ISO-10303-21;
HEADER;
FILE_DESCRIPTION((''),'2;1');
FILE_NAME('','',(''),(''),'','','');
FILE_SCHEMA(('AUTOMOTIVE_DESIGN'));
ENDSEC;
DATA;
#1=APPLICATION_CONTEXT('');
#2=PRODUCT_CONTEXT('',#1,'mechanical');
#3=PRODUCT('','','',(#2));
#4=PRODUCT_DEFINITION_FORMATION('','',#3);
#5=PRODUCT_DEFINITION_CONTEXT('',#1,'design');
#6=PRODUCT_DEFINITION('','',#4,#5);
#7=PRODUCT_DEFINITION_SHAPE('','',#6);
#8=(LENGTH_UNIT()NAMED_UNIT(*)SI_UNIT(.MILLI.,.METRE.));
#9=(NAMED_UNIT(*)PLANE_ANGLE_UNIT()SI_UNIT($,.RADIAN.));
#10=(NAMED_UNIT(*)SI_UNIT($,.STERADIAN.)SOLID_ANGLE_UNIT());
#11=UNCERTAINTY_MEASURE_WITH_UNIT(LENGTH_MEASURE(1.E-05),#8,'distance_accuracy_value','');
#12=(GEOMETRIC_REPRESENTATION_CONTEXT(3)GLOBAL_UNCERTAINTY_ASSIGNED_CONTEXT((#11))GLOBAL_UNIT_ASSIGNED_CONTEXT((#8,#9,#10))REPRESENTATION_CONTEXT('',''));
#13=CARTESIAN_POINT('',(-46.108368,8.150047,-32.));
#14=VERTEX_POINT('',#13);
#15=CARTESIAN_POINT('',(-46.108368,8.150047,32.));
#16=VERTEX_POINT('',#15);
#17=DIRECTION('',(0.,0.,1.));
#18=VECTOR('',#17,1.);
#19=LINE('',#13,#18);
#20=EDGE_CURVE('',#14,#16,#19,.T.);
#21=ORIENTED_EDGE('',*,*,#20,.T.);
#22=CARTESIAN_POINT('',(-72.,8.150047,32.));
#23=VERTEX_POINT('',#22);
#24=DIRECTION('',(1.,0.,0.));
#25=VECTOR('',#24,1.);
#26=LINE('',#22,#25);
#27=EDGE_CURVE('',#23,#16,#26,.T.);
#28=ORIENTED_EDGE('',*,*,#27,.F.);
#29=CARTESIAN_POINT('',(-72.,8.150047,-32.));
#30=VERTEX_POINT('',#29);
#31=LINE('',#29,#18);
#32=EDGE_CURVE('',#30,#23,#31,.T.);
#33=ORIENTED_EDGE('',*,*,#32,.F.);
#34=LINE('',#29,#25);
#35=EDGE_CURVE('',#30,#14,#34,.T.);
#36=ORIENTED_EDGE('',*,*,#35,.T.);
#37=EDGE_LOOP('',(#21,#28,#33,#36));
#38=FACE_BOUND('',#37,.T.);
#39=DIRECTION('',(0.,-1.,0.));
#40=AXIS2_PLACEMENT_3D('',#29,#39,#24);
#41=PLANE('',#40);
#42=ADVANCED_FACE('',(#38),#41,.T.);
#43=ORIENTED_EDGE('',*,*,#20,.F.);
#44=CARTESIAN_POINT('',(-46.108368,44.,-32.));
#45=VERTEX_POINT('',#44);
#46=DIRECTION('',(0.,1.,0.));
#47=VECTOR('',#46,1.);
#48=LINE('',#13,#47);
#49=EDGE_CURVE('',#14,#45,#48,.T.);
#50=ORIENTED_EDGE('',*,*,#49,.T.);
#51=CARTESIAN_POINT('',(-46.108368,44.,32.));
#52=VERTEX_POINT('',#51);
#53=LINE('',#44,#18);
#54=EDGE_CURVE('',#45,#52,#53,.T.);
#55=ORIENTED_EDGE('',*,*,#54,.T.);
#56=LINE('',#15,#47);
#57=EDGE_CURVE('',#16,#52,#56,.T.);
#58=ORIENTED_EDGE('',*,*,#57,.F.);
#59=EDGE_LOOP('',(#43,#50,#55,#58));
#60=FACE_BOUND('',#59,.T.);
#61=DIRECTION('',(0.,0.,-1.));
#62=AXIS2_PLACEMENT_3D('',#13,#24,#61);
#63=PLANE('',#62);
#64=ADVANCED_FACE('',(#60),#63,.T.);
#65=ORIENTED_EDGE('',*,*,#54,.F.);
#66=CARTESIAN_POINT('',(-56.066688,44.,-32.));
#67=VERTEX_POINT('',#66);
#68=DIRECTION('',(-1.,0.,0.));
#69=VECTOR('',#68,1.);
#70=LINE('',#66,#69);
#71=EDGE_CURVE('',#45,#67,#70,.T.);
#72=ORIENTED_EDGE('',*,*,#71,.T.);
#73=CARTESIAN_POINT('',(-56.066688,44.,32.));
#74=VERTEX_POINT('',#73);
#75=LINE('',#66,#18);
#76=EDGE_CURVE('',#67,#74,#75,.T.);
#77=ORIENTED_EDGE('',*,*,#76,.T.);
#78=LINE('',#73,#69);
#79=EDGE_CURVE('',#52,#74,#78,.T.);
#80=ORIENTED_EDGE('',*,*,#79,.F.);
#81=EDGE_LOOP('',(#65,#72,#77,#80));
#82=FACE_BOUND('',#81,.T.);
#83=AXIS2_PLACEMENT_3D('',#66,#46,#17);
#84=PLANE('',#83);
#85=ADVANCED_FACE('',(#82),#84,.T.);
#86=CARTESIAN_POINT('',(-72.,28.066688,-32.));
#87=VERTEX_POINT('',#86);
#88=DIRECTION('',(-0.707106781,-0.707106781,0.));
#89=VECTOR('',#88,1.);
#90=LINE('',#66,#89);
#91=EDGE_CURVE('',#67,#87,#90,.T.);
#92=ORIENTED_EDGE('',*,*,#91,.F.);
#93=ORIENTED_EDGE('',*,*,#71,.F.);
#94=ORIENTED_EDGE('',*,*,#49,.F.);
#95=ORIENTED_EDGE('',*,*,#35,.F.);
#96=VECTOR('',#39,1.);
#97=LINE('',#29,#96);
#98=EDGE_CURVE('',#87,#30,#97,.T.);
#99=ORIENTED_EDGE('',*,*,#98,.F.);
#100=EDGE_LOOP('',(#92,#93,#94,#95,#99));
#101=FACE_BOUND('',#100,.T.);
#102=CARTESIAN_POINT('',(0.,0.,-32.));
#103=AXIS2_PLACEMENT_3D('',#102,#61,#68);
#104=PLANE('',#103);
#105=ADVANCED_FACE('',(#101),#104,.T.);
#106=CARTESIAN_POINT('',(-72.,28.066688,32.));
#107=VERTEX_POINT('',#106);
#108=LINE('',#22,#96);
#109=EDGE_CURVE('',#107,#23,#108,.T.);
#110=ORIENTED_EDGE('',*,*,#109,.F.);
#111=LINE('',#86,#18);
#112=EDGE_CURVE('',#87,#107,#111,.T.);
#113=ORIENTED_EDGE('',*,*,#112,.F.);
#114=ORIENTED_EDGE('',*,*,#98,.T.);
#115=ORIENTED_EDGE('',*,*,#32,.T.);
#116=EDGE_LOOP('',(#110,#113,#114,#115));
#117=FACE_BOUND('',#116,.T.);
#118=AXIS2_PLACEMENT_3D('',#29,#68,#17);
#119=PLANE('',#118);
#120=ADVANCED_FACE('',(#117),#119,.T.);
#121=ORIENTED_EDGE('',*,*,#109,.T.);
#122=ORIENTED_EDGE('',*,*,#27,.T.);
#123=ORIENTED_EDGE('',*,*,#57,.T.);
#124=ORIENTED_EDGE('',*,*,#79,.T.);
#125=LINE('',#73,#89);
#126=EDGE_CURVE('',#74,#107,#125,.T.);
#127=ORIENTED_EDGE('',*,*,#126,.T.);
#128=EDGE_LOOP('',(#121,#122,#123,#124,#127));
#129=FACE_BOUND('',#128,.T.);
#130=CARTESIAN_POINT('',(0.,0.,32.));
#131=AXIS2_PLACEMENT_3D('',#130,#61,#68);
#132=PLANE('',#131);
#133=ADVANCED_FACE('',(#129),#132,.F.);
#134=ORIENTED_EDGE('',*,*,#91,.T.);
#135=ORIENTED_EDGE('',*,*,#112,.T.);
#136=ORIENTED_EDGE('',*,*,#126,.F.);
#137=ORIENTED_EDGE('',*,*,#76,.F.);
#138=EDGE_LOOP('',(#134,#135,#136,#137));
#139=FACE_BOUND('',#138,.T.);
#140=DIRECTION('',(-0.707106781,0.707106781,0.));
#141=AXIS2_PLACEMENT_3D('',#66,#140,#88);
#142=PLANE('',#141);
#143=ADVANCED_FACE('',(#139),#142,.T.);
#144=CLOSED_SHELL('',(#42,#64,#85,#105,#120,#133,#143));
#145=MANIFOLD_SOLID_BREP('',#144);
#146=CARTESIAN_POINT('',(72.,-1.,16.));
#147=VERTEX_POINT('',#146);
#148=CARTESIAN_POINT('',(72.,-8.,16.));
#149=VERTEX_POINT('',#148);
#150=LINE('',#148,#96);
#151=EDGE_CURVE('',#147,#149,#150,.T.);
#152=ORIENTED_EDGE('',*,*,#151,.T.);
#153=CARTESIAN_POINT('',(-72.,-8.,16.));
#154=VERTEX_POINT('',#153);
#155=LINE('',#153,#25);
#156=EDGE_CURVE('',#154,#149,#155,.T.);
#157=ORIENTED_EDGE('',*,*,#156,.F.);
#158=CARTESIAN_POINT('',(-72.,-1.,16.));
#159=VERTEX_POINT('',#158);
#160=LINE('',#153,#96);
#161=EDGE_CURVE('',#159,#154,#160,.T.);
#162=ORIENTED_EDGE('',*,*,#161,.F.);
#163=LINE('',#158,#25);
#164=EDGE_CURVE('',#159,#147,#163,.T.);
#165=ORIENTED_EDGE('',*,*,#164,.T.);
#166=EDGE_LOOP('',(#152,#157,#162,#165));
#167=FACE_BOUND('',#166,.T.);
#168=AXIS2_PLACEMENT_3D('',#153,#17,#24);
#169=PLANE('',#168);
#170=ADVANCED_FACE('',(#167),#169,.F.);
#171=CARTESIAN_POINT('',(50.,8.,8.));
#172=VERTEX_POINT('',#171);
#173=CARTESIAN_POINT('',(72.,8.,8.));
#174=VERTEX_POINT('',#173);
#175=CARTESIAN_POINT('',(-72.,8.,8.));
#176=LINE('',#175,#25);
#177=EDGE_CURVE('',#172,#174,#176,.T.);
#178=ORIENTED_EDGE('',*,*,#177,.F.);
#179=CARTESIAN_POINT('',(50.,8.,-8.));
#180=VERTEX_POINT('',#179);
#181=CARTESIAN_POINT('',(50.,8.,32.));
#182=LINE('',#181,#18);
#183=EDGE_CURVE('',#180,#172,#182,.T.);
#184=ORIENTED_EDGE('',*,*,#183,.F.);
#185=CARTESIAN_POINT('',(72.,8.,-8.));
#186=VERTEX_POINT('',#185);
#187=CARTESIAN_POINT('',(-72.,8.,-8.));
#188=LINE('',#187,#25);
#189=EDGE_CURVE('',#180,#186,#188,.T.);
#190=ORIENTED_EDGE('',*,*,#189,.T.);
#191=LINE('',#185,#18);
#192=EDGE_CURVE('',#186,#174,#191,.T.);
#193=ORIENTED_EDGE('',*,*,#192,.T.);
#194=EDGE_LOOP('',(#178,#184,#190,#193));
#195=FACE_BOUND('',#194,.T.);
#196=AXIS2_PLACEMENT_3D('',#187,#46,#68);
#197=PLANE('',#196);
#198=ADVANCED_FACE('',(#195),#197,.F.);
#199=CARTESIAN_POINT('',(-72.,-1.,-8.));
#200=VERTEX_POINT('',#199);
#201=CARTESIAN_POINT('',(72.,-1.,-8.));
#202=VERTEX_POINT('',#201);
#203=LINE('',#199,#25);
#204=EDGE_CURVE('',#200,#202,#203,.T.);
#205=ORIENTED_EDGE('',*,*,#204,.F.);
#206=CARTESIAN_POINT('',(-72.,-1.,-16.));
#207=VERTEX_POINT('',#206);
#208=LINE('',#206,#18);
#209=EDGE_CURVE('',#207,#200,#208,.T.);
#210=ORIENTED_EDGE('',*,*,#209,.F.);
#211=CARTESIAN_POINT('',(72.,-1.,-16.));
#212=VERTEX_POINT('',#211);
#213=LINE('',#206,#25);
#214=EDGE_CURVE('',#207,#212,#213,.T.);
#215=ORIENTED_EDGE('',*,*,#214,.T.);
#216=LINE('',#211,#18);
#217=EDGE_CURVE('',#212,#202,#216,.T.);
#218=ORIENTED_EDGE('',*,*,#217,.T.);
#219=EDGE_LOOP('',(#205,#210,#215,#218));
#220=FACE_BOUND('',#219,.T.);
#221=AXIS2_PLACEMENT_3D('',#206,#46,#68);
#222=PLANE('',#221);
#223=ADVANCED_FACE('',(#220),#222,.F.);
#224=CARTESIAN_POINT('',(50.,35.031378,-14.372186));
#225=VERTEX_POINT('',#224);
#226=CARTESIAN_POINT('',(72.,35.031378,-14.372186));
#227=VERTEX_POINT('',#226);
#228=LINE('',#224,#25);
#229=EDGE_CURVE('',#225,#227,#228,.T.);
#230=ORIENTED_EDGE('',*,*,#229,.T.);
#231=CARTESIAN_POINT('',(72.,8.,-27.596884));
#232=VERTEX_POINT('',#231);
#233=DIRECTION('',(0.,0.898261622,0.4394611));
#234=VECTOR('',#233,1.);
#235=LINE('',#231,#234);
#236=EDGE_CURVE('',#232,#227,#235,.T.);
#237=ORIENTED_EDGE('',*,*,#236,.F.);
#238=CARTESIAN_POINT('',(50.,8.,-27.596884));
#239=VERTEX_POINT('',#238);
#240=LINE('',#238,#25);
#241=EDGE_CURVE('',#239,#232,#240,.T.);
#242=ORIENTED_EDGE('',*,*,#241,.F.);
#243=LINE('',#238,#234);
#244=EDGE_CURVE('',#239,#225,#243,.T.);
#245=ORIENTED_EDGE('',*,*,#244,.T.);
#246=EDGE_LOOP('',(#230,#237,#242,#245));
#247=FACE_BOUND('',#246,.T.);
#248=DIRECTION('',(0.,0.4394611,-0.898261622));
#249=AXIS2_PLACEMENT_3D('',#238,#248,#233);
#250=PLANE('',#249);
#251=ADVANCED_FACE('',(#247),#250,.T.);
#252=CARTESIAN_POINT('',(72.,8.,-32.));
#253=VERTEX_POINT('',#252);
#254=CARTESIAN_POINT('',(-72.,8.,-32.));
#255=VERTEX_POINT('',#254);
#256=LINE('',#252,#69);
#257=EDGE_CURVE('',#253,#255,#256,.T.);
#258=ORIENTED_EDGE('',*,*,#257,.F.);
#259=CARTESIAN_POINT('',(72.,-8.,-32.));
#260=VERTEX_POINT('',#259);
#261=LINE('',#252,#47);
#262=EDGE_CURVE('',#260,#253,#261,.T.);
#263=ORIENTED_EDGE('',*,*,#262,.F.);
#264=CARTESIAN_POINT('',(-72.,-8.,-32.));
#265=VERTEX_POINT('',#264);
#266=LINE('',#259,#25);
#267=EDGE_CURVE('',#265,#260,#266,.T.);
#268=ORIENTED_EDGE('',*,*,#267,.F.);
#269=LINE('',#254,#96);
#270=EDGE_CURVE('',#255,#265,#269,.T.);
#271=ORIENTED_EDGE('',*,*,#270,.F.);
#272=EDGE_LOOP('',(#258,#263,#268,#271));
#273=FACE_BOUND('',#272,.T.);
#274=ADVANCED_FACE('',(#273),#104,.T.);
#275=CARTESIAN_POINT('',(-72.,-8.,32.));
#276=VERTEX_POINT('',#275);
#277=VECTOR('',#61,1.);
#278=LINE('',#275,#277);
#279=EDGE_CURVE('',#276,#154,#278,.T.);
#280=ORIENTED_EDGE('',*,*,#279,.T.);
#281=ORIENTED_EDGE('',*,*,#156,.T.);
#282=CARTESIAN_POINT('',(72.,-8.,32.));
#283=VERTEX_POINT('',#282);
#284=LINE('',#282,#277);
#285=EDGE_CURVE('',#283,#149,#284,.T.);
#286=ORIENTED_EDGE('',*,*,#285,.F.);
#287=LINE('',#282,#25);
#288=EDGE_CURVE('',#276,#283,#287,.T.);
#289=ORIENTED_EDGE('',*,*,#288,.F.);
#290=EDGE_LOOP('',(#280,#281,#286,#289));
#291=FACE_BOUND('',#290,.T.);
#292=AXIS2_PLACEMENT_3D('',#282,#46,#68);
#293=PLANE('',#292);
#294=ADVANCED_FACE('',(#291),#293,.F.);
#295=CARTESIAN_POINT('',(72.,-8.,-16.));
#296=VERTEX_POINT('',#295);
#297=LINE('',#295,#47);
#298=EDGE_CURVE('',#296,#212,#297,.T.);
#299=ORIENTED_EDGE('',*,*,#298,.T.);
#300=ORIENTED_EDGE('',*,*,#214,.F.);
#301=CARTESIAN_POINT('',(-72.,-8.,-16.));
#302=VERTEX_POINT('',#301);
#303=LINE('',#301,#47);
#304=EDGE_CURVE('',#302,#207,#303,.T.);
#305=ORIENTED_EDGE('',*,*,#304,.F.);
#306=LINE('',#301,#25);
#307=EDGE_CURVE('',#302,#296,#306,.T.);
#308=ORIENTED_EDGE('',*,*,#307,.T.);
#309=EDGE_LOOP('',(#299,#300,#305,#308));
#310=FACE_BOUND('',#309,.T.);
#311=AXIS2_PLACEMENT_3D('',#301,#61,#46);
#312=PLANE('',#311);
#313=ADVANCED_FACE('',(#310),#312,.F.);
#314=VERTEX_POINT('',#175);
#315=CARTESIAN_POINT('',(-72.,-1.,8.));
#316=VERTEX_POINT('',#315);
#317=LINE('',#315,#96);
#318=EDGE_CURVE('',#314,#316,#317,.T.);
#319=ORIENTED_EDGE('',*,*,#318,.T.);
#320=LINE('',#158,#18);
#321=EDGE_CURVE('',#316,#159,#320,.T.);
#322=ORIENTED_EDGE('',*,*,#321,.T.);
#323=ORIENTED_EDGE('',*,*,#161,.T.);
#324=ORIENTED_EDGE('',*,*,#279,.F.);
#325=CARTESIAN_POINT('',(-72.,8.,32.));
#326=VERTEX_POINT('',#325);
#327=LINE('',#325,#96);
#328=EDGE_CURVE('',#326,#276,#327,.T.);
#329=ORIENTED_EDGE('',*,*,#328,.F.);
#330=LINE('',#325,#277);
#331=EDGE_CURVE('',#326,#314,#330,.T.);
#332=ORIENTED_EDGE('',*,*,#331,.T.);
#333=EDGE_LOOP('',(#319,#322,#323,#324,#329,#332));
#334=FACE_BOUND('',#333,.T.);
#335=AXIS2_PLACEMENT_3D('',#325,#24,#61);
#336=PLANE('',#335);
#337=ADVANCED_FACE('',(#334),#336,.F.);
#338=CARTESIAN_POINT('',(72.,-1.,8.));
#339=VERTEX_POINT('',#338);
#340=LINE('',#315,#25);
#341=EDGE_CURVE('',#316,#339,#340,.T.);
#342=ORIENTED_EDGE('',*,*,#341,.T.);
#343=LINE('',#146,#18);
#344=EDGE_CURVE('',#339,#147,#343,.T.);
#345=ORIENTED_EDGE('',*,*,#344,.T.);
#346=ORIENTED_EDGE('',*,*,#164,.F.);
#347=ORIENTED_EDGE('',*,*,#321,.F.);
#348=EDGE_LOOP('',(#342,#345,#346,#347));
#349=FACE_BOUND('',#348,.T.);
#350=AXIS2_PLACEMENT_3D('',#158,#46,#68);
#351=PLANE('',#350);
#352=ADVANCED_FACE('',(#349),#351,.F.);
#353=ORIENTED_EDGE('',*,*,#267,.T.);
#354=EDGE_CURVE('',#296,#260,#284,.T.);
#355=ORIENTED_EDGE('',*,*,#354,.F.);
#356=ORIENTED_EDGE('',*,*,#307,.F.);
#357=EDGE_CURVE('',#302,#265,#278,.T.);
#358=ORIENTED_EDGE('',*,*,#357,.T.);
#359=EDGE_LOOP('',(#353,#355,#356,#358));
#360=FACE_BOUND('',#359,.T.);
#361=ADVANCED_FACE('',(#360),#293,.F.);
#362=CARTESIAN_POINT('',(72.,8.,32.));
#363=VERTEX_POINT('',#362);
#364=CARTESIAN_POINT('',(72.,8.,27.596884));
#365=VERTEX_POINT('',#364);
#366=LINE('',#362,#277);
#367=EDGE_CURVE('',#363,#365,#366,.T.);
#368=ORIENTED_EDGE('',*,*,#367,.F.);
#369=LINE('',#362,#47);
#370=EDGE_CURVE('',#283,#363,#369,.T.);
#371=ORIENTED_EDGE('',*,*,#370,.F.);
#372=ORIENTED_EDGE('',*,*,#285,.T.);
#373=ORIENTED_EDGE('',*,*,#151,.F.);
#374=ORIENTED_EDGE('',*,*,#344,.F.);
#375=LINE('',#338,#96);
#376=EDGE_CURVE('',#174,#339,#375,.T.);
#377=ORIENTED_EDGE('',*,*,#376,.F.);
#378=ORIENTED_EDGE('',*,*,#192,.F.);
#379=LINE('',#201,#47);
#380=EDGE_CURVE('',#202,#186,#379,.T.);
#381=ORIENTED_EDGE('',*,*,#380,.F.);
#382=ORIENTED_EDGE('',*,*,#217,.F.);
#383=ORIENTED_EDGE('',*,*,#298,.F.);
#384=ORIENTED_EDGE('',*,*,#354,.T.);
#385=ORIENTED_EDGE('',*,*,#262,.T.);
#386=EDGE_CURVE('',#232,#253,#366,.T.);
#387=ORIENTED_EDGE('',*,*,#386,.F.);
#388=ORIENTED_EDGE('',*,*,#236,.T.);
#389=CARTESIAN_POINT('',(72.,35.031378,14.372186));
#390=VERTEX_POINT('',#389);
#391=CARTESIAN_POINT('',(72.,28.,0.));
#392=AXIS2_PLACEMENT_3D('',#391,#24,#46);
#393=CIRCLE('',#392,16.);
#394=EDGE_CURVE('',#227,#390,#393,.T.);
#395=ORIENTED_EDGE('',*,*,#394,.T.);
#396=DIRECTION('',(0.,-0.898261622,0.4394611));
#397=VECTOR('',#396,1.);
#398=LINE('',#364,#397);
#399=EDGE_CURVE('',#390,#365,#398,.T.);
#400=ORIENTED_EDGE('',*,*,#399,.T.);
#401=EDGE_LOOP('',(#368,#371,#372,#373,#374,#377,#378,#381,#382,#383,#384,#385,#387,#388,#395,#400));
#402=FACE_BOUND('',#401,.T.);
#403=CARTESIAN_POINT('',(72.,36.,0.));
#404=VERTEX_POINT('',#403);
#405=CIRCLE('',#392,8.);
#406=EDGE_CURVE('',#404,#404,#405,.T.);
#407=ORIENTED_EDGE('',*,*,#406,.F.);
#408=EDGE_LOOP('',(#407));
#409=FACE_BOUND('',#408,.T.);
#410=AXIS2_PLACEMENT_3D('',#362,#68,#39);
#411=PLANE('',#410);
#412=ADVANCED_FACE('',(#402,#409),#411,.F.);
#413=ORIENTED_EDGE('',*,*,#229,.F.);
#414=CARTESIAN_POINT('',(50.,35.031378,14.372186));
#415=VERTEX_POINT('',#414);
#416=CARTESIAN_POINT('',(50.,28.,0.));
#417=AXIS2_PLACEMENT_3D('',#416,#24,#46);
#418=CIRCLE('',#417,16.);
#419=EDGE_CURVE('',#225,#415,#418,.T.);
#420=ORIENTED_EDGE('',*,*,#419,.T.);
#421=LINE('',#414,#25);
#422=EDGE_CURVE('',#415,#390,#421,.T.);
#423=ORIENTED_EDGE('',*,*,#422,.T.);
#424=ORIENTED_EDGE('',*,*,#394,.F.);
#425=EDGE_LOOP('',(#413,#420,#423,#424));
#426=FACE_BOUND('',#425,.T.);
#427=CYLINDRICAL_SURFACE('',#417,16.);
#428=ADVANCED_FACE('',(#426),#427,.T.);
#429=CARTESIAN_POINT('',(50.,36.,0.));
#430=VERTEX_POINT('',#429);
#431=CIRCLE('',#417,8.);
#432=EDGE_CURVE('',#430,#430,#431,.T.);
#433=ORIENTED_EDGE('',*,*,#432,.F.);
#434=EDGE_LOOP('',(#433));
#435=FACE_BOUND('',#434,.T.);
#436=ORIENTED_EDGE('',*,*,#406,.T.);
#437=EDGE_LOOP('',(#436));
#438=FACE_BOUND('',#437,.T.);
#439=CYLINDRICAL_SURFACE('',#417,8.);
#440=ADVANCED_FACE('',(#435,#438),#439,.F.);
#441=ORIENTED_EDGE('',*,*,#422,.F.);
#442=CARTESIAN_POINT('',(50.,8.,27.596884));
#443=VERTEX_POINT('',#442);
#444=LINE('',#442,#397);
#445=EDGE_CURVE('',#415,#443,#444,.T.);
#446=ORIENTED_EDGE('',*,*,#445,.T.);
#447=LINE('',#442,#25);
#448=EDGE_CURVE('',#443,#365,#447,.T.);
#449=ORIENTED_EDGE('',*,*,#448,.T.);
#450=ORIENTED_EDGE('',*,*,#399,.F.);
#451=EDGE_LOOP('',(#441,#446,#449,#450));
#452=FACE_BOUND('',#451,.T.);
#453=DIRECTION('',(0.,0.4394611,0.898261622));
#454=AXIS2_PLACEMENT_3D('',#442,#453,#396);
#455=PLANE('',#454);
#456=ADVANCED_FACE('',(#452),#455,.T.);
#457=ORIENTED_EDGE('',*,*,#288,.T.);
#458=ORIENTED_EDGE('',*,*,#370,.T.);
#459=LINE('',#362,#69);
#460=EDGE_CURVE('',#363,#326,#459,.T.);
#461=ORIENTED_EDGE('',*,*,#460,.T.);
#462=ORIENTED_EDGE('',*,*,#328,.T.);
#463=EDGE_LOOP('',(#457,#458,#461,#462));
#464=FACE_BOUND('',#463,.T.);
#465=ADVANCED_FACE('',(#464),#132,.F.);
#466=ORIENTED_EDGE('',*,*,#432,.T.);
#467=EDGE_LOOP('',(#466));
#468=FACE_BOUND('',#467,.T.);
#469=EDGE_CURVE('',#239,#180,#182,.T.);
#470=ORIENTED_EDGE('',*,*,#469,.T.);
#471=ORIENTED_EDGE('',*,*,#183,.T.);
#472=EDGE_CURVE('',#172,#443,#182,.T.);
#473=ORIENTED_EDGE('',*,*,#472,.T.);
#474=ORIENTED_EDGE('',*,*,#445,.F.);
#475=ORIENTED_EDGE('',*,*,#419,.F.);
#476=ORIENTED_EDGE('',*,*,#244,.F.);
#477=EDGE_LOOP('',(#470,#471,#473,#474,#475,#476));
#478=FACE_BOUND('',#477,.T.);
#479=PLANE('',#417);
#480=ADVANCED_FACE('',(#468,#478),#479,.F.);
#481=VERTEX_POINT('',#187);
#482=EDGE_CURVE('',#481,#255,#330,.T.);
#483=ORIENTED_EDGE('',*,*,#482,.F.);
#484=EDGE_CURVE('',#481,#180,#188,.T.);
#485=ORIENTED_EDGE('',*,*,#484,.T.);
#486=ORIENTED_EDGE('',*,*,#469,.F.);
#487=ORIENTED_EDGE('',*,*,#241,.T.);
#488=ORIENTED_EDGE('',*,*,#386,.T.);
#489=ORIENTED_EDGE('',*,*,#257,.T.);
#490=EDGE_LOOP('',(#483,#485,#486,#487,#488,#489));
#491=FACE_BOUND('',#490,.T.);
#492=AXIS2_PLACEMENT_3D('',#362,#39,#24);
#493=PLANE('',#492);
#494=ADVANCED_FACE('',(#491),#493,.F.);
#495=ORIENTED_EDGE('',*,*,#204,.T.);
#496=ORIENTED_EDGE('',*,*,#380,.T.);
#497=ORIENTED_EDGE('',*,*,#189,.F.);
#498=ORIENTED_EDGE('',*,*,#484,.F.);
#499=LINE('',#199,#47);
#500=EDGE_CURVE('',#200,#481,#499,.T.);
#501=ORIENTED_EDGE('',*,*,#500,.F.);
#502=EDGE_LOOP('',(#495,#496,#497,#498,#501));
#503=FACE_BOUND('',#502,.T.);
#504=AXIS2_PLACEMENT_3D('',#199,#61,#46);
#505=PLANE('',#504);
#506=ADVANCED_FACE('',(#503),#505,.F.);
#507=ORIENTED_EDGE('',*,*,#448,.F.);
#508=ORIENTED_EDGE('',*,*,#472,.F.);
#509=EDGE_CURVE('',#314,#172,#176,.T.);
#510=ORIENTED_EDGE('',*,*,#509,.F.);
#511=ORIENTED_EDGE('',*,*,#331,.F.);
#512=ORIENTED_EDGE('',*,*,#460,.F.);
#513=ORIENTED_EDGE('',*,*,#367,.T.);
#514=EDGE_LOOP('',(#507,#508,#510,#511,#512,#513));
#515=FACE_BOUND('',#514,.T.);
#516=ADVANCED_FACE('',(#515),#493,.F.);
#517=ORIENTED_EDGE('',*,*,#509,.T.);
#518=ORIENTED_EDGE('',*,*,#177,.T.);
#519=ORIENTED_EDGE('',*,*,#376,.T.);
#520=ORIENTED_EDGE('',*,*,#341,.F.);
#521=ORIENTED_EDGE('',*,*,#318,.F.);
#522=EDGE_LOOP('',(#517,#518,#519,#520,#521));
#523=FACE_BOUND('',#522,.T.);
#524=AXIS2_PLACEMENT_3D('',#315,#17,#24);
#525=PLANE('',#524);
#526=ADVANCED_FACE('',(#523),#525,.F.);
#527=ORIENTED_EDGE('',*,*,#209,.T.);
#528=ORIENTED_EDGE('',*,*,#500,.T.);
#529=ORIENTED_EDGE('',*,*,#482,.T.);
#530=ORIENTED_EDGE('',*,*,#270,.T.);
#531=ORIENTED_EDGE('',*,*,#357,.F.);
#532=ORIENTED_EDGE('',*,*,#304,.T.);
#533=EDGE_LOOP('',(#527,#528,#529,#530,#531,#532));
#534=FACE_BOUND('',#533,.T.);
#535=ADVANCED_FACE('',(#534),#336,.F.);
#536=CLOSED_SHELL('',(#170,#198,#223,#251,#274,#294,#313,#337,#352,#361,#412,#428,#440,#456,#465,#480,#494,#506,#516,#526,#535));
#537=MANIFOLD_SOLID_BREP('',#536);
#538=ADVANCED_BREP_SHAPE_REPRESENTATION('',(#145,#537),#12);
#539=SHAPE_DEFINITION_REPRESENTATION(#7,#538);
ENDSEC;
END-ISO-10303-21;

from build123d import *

# Parameters (mm, degrees)
SKETCH1_W           = 144
SKETCH1_H           = 16
BOSS_EXTRUDE1_DEPTH = 32
BOSS_EXTRUDE2_DEPTH = 64
SKETCH3_R           = 8
BOSS_EXTRUDE3_DEPTH = 22
CUT_EXTRUDE1_DEPTH  = 154.935051239


with BuildPart() as part:
    # Sketch1 → Boss-Extrude1 (new, symmetric)
    with BuildSketch(Plane.XY):
        Rectangle(SKETCH1_W, SKETCH1_H)
    extrude(amount=BOSS_EXTRUDE1_DEPTH, both=True)

    # Sketch3 → Boss-Extrude3 (add)
    with BuildSketch(Plane(origin=(72, 0, 0), x_dir=(0, 0, -1), z_dir=(1, 0, 0))):
        with BuildLine():
            Line((-27.596884244, 8), (-32, 8))
            Line((-32, 8), (-32, -8))
            Line((-32, -8), (32, -8))
            Line((32, -8), (32, 8))
            Line((32, 8), (27.596884244, 8))
            Line((27.596884244, 8), (14.372185951, 35.031377602))
            ThreePointArc((14.372185951, 35.031377602), (0, 44), (-14.372185951, 35.031377602))
            Line((-14.372185951, 35.031377602), (-27.596884244, 8))
        make_face()
        with Locations(Location((0, 28, 0), (0, 0, 90))):
            Circle(SKETCH3_R, mode=Mode.SUBTRACT)
    extrude(amount=-BOSS_EXTRUDE3_DEPTH)

    # Sketch4 → Cut-Extrude1 (cut, through all)
    with BuildSketch(Plane(origin=(72, 0, 0), x_dir=(0, 0, -1), z_dir=(1, 0, 0))):
        Polygon((8, 8), (-8, 8), (-8, -1), (-16, -1), (-16, -8), (16, -8), (16, -1), (8, -1), align=None)
    extrude(amount=-CUT_EXTRUDE1_DEPTH, mode=Mode.SUBTRACT)


with BuildPart() as body_2:
    # Sketch2 → Boss-Extrude2 (new body)
    with BuildSketch(Plane.XY.offset(32)):
        Polygon((-72, 8.15004748), (-46.108367624, 8.15004748), (-46.108367624, 44), (-56.066687769, 44), (-72, 28.066687769), align=None)
    extrude(amount=-BOSS_EXTRUDE2_DEPTH)


solid = Compound([part.part, body_2.part])
